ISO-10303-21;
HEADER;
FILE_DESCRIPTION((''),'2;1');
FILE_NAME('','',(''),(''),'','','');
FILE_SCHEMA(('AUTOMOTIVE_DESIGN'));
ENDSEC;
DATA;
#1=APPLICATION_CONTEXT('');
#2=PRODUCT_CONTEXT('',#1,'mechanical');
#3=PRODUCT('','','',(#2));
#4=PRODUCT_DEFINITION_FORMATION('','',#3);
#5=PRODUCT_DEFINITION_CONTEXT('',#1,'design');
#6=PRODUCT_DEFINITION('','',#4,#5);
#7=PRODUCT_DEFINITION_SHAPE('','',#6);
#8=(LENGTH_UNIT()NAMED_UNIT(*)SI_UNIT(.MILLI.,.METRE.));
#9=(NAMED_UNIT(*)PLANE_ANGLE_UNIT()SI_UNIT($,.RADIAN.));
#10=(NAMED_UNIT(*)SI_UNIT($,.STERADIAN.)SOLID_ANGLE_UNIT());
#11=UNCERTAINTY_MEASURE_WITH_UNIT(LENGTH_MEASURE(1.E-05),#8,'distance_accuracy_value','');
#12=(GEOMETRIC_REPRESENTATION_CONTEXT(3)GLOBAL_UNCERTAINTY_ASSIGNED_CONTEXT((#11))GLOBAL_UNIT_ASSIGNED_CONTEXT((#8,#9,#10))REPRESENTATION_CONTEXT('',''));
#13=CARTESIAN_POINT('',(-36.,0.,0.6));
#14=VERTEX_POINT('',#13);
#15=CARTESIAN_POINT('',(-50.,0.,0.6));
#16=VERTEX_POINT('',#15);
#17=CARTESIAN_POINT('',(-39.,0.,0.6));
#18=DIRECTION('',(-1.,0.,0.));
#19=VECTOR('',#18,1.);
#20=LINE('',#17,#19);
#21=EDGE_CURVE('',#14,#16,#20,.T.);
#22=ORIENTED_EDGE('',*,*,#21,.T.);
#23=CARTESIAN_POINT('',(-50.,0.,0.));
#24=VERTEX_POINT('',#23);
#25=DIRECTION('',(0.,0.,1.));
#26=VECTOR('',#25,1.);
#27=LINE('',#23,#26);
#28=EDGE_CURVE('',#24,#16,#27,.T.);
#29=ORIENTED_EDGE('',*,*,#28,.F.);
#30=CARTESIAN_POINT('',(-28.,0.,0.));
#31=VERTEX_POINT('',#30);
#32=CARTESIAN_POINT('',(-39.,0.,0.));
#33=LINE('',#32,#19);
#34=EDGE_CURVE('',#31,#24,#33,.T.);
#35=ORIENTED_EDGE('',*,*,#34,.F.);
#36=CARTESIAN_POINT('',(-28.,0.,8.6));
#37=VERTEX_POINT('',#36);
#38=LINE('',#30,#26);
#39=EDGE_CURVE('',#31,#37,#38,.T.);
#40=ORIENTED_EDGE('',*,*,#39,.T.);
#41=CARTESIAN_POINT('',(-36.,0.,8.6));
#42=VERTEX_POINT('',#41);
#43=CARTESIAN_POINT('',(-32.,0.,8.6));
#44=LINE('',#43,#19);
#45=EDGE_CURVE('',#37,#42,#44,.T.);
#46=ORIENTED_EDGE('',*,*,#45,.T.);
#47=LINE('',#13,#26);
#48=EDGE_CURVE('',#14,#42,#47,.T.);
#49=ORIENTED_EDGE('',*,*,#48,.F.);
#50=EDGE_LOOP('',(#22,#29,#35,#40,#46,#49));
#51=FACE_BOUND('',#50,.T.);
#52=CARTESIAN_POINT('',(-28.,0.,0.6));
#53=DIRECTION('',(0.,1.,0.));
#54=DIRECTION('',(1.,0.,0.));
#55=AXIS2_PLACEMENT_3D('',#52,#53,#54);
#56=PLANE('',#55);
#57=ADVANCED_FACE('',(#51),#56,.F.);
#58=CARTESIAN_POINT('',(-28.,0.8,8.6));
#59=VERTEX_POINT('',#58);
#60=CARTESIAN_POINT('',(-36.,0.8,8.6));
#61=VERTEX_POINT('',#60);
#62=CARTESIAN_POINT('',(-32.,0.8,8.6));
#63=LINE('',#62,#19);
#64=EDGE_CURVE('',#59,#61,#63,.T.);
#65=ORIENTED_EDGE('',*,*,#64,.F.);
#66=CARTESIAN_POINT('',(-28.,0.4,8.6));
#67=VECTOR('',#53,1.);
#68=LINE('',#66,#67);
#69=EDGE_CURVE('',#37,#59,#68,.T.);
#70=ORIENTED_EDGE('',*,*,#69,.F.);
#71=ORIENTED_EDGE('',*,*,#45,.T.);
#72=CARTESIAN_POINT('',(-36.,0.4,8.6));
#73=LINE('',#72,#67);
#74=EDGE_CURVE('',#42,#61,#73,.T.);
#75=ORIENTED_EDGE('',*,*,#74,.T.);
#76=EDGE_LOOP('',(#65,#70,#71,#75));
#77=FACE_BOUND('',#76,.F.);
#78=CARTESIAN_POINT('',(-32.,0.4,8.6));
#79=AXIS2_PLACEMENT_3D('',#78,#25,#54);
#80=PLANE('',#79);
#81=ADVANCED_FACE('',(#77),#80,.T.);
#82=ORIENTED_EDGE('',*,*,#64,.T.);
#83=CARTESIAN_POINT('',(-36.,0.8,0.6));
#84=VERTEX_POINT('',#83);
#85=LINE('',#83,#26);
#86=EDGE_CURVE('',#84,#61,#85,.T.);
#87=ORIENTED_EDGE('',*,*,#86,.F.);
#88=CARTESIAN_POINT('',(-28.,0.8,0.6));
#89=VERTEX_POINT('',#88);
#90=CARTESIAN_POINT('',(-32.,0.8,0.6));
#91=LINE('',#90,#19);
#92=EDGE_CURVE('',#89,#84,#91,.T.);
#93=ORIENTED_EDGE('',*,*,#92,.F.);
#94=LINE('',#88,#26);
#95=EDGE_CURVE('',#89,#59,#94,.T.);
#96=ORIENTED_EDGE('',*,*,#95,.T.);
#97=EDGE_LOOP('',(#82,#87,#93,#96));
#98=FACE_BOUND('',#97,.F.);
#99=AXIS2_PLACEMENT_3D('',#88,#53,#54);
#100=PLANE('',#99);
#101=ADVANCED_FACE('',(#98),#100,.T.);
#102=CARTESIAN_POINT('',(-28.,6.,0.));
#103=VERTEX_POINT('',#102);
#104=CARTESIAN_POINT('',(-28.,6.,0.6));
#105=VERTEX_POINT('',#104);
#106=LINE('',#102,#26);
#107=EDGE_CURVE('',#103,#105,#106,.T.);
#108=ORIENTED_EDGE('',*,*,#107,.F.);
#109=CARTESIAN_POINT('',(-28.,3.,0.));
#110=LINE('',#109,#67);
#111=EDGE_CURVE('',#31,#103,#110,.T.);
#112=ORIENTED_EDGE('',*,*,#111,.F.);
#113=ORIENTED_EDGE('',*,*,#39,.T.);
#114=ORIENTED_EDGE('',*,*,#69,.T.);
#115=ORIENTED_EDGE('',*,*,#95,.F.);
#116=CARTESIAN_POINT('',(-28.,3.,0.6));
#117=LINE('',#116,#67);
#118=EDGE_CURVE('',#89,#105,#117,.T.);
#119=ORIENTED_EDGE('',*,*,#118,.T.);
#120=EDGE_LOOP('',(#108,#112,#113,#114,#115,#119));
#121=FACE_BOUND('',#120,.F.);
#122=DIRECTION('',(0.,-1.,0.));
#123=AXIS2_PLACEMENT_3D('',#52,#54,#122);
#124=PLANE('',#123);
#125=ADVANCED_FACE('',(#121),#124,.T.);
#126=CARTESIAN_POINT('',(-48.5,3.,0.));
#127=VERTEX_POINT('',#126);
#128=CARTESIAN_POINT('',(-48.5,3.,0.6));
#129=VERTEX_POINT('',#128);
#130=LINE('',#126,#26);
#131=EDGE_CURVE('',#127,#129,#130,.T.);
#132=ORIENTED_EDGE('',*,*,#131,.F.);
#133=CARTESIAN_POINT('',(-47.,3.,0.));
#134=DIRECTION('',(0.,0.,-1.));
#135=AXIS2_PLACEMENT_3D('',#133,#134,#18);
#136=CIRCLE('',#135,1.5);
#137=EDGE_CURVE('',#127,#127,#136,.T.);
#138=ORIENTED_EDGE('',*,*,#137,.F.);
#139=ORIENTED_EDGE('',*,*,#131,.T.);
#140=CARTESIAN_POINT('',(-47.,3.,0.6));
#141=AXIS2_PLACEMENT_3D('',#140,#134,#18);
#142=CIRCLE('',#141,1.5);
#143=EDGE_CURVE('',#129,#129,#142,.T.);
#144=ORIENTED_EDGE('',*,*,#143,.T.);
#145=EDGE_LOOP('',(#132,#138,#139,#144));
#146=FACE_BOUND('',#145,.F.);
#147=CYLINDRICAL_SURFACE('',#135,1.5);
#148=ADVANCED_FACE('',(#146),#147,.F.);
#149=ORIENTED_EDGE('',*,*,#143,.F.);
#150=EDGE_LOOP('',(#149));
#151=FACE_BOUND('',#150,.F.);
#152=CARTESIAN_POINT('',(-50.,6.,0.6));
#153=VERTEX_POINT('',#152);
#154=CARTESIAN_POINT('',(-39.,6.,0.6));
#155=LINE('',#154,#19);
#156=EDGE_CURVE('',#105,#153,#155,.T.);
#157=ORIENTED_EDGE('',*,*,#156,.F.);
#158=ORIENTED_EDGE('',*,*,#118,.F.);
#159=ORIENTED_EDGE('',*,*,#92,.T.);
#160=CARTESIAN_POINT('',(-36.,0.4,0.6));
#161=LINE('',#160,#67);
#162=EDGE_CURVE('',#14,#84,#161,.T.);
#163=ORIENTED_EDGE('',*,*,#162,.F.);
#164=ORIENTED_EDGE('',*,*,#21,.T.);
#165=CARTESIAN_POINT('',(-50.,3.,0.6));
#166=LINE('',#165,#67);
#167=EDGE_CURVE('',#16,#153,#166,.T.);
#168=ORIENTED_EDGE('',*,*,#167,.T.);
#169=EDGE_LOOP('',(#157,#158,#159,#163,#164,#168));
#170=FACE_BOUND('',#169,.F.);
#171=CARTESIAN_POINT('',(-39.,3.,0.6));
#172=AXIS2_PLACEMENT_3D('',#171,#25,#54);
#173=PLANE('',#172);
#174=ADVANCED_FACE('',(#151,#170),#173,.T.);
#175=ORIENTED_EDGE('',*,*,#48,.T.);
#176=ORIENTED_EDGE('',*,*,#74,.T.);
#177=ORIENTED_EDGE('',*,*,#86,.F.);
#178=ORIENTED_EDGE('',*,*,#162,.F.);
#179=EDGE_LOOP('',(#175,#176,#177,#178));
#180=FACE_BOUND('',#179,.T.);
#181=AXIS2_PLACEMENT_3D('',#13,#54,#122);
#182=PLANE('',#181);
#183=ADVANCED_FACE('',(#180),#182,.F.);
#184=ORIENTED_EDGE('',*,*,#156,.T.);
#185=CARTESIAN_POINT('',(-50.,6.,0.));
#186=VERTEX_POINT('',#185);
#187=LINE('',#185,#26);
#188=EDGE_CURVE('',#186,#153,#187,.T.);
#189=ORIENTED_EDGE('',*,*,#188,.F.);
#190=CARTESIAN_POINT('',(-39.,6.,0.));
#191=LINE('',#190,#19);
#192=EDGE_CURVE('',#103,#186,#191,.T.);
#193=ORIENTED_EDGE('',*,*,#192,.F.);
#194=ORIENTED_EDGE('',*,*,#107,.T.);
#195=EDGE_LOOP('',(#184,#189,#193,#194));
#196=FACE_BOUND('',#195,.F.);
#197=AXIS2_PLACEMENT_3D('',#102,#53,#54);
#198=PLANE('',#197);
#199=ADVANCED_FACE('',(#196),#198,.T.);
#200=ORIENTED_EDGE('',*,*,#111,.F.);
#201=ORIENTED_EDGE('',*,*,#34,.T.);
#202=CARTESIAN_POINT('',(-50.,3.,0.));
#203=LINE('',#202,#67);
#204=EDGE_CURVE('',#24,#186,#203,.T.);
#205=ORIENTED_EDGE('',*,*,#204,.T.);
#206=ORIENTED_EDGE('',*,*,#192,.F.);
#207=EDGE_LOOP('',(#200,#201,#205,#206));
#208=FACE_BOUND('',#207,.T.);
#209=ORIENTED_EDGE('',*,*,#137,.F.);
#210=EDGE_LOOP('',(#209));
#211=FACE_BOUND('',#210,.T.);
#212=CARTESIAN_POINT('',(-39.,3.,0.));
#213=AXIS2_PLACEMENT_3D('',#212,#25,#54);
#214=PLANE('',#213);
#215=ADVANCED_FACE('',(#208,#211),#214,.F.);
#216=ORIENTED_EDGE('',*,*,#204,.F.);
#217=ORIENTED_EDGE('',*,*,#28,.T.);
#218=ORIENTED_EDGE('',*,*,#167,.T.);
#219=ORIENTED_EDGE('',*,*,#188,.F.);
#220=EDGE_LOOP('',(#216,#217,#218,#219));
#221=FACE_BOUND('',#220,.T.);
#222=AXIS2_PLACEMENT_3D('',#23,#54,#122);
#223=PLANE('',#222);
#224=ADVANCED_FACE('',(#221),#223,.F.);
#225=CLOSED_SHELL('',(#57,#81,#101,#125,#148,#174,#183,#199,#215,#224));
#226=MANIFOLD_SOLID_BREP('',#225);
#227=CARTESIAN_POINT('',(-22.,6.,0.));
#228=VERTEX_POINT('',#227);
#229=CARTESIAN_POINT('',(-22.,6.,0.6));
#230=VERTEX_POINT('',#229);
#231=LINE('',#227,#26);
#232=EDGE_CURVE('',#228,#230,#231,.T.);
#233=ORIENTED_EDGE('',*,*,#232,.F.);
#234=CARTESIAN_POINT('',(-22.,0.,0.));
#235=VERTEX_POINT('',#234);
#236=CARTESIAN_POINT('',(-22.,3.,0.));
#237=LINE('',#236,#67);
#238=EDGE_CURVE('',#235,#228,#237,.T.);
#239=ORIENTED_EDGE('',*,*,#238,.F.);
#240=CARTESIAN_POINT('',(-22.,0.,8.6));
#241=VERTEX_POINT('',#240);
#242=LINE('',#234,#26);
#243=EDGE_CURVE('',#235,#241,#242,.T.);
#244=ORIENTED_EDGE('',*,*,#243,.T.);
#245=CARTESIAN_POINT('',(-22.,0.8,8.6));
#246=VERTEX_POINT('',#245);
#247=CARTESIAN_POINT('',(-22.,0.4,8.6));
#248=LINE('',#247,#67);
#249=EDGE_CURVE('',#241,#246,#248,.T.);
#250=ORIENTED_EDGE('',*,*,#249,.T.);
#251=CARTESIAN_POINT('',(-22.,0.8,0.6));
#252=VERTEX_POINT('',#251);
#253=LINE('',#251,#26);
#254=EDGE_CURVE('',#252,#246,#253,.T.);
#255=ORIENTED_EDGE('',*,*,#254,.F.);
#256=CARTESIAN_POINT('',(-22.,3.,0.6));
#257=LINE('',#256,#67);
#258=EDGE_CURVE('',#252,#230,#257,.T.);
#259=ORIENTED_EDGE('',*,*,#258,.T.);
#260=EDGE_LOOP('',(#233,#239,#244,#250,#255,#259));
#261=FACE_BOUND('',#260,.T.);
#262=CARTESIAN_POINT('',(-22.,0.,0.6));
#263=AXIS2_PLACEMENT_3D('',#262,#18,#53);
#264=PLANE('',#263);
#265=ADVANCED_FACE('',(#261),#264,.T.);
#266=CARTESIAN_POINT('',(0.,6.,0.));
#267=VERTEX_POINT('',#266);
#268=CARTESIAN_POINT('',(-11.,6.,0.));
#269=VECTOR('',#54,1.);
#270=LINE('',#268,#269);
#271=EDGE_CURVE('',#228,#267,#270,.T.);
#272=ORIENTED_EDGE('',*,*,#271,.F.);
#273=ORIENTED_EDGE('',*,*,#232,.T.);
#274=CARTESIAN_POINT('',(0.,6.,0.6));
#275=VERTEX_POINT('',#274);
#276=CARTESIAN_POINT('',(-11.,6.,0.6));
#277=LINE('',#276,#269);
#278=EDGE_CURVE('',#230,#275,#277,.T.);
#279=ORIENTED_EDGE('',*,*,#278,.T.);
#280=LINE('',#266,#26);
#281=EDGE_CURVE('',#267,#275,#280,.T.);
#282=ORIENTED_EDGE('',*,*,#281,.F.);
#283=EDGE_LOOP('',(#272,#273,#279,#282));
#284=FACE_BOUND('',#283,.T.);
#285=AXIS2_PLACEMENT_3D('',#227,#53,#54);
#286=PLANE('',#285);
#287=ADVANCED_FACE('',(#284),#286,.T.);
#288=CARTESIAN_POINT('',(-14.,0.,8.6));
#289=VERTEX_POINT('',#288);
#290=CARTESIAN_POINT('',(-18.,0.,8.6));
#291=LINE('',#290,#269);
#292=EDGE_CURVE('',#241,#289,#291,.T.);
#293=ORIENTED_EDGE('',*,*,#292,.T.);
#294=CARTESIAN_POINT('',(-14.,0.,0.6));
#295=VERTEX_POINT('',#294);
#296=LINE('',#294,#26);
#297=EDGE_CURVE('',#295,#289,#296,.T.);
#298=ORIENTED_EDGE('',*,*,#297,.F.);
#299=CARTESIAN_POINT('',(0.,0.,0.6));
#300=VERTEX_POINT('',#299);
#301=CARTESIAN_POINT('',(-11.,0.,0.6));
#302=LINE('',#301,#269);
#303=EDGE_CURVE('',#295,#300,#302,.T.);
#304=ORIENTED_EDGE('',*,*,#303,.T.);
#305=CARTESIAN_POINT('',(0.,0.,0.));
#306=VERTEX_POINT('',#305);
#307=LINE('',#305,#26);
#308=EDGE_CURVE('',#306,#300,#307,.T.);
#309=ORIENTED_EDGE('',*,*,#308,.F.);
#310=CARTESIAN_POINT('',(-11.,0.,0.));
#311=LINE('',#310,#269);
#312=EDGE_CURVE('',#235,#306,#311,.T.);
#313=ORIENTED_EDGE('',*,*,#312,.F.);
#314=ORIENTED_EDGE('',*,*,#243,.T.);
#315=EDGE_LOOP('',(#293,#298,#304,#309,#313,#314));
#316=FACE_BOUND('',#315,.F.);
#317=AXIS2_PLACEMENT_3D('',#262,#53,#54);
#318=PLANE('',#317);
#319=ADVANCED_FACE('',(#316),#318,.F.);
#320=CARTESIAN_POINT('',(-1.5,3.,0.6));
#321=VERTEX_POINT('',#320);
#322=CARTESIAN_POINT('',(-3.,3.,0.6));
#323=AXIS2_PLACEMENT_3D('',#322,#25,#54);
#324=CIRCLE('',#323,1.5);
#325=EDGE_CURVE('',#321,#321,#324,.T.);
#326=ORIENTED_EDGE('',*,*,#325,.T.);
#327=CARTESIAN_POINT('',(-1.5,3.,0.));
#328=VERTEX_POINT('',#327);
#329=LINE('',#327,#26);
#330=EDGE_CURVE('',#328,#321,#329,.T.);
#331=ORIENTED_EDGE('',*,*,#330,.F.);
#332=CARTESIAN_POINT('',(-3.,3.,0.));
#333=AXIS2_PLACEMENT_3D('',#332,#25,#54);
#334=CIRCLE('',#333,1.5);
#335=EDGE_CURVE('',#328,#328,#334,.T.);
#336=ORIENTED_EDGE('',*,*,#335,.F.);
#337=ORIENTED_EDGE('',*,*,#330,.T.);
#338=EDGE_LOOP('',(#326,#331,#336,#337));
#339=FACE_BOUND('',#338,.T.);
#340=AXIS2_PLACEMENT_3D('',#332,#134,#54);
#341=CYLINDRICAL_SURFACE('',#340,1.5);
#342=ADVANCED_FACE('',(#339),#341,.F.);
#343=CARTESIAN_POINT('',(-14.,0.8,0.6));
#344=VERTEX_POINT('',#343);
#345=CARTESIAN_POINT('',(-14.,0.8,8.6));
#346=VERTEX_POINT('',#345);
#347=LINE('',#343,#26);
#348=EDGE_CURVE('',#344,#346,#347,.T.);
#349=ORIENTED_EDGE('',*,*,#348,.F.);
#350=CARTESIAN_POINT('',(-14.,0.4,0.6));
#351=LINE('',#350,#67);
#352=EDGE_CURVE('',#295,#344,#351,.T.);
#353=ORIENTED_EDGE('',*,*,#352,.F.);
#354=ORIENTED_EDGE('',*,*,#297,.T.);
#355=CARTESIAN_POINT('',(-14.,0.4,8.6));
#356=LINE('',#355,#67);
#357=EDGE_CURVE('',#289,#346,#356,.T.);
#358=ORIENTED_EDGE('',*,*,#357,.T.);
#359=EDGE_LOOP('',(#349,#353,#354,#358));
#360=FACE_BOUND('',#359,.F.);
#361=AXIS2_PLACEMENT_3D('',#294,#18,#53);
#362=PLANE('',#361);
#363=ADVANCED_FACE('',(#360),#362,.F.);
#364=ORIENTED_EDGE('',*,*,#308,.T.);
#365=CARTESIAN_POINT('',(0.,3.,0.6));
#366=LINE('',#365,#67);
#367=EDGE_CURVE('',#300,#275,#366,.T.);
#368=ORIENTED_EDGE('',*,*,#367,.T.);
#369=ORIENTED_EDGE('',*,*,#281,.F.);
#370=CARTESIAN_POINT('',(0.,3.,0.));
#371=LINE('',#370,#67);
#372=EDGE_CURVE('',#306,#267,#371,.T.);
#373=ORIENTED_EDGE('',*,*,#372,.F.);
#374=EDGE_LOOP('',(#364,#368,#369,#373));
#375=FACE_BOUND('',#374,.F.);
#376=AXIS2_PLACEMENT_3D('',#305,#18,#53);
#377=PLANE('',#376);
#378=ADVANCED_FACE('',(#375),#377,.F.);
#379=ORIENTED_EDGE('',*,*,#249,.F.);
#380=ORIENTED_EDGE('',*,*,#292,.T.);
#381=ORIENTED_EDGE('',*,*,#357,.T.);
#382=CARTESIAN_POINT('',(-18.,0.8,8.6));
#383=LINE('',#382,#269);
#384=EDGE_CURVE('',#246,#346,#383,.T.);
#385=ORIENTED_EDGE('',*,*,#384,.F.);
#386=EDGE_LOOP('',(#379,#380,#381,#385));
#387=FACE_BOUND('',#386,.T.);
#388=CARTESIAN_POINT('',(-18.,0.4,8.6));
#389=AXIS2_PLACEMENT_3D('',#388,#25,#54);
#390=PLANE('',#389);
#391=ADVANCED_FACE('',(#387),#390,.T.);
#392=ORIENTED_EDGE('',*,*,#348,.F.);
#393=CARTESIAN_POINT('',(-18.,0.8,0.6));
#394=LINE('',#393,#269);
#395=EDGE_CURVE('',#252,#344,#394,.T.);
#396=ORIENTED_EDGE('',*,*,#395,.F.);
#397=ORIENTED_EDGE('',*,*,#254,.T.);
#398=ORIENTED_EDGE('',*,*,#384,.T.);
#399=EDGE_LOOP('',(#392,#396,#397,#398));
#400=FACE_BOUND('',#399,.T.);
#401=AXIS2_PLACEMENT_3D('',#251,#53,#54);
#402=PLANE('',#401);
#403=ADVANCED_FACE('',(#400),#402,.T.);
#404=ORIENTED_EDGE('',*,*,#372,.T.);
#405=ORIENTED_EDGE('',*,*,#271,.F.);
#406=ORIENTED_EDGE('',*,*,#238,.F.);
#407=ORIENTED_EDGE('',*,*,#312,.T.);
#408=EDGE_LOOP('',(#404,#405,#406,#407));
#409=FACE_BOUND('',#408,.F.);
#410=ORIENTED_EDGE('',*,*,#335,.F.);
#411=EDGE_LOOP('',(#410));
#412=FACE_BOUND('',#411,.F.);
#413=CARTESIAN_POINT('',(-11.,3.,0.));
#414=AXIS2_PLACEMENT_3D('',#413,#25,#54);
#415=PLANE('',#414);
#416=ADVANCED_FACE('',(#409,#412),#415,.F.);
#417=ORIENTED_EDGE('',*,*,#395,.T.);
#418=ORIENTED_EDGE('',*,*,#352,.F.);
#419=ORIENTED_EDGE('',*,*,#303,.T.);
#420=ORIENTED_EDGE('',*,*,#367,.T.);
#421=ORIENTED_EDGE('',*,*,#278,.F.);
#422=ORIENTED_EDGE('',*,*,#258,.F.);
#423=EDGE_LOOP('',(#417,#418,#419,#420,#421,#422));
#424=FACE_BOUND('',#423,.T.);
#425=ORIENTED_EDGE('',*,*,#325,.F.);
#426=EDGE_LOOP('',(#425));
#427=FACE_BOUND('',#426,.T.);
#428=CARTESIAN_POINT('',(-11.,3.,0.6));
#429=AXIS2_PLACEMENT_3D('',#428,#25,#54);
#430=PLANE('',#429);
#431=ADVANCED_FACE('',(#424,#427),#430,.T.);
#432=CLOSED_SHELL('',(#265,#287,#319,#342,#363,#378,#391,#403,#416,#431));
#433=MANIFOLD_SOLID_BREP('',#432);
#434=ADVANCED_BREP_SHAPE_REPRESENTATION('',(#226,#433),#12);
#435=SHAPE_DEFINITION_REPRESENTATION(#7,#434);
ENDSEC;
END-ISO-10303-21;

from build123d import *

# Parameters (mm, degrees)
F0_W     = 22
F0_H     = 6
F0_R     = 1.5
F1_DEPTH = 0.6
F2_W     = 8
F2_H     = 0.8
F3_DEPTH = 8


with BuildPart() as f1:
    # F0 (on Top) → F1 (new body)
    with BuildSketch(Plane.XY):
        with Locations((-11, 3)):
            Rectangle(F0_W, F0_H)
        with Locations((-3, 3)):
            Circle(F0_R, mode=Mode.SUBTRACT)
    extrude(amount=F1_DEPTH)

    # F2 (on face) → F3 (join)
    with BuildSketch(Plane.XY.offset(0.6)):
        with Locations((-18, 0.4)):
            Rectangle(F2_W, F2_H)
    extrude(amount=F3_DEPTH)


with BuildPart() as f5_1:
    # F5: instance of F1
    add(f1.part.mirror(Plane.YZ.offset(-25)))


solid = Compound([f1.part, f5_1.part])
